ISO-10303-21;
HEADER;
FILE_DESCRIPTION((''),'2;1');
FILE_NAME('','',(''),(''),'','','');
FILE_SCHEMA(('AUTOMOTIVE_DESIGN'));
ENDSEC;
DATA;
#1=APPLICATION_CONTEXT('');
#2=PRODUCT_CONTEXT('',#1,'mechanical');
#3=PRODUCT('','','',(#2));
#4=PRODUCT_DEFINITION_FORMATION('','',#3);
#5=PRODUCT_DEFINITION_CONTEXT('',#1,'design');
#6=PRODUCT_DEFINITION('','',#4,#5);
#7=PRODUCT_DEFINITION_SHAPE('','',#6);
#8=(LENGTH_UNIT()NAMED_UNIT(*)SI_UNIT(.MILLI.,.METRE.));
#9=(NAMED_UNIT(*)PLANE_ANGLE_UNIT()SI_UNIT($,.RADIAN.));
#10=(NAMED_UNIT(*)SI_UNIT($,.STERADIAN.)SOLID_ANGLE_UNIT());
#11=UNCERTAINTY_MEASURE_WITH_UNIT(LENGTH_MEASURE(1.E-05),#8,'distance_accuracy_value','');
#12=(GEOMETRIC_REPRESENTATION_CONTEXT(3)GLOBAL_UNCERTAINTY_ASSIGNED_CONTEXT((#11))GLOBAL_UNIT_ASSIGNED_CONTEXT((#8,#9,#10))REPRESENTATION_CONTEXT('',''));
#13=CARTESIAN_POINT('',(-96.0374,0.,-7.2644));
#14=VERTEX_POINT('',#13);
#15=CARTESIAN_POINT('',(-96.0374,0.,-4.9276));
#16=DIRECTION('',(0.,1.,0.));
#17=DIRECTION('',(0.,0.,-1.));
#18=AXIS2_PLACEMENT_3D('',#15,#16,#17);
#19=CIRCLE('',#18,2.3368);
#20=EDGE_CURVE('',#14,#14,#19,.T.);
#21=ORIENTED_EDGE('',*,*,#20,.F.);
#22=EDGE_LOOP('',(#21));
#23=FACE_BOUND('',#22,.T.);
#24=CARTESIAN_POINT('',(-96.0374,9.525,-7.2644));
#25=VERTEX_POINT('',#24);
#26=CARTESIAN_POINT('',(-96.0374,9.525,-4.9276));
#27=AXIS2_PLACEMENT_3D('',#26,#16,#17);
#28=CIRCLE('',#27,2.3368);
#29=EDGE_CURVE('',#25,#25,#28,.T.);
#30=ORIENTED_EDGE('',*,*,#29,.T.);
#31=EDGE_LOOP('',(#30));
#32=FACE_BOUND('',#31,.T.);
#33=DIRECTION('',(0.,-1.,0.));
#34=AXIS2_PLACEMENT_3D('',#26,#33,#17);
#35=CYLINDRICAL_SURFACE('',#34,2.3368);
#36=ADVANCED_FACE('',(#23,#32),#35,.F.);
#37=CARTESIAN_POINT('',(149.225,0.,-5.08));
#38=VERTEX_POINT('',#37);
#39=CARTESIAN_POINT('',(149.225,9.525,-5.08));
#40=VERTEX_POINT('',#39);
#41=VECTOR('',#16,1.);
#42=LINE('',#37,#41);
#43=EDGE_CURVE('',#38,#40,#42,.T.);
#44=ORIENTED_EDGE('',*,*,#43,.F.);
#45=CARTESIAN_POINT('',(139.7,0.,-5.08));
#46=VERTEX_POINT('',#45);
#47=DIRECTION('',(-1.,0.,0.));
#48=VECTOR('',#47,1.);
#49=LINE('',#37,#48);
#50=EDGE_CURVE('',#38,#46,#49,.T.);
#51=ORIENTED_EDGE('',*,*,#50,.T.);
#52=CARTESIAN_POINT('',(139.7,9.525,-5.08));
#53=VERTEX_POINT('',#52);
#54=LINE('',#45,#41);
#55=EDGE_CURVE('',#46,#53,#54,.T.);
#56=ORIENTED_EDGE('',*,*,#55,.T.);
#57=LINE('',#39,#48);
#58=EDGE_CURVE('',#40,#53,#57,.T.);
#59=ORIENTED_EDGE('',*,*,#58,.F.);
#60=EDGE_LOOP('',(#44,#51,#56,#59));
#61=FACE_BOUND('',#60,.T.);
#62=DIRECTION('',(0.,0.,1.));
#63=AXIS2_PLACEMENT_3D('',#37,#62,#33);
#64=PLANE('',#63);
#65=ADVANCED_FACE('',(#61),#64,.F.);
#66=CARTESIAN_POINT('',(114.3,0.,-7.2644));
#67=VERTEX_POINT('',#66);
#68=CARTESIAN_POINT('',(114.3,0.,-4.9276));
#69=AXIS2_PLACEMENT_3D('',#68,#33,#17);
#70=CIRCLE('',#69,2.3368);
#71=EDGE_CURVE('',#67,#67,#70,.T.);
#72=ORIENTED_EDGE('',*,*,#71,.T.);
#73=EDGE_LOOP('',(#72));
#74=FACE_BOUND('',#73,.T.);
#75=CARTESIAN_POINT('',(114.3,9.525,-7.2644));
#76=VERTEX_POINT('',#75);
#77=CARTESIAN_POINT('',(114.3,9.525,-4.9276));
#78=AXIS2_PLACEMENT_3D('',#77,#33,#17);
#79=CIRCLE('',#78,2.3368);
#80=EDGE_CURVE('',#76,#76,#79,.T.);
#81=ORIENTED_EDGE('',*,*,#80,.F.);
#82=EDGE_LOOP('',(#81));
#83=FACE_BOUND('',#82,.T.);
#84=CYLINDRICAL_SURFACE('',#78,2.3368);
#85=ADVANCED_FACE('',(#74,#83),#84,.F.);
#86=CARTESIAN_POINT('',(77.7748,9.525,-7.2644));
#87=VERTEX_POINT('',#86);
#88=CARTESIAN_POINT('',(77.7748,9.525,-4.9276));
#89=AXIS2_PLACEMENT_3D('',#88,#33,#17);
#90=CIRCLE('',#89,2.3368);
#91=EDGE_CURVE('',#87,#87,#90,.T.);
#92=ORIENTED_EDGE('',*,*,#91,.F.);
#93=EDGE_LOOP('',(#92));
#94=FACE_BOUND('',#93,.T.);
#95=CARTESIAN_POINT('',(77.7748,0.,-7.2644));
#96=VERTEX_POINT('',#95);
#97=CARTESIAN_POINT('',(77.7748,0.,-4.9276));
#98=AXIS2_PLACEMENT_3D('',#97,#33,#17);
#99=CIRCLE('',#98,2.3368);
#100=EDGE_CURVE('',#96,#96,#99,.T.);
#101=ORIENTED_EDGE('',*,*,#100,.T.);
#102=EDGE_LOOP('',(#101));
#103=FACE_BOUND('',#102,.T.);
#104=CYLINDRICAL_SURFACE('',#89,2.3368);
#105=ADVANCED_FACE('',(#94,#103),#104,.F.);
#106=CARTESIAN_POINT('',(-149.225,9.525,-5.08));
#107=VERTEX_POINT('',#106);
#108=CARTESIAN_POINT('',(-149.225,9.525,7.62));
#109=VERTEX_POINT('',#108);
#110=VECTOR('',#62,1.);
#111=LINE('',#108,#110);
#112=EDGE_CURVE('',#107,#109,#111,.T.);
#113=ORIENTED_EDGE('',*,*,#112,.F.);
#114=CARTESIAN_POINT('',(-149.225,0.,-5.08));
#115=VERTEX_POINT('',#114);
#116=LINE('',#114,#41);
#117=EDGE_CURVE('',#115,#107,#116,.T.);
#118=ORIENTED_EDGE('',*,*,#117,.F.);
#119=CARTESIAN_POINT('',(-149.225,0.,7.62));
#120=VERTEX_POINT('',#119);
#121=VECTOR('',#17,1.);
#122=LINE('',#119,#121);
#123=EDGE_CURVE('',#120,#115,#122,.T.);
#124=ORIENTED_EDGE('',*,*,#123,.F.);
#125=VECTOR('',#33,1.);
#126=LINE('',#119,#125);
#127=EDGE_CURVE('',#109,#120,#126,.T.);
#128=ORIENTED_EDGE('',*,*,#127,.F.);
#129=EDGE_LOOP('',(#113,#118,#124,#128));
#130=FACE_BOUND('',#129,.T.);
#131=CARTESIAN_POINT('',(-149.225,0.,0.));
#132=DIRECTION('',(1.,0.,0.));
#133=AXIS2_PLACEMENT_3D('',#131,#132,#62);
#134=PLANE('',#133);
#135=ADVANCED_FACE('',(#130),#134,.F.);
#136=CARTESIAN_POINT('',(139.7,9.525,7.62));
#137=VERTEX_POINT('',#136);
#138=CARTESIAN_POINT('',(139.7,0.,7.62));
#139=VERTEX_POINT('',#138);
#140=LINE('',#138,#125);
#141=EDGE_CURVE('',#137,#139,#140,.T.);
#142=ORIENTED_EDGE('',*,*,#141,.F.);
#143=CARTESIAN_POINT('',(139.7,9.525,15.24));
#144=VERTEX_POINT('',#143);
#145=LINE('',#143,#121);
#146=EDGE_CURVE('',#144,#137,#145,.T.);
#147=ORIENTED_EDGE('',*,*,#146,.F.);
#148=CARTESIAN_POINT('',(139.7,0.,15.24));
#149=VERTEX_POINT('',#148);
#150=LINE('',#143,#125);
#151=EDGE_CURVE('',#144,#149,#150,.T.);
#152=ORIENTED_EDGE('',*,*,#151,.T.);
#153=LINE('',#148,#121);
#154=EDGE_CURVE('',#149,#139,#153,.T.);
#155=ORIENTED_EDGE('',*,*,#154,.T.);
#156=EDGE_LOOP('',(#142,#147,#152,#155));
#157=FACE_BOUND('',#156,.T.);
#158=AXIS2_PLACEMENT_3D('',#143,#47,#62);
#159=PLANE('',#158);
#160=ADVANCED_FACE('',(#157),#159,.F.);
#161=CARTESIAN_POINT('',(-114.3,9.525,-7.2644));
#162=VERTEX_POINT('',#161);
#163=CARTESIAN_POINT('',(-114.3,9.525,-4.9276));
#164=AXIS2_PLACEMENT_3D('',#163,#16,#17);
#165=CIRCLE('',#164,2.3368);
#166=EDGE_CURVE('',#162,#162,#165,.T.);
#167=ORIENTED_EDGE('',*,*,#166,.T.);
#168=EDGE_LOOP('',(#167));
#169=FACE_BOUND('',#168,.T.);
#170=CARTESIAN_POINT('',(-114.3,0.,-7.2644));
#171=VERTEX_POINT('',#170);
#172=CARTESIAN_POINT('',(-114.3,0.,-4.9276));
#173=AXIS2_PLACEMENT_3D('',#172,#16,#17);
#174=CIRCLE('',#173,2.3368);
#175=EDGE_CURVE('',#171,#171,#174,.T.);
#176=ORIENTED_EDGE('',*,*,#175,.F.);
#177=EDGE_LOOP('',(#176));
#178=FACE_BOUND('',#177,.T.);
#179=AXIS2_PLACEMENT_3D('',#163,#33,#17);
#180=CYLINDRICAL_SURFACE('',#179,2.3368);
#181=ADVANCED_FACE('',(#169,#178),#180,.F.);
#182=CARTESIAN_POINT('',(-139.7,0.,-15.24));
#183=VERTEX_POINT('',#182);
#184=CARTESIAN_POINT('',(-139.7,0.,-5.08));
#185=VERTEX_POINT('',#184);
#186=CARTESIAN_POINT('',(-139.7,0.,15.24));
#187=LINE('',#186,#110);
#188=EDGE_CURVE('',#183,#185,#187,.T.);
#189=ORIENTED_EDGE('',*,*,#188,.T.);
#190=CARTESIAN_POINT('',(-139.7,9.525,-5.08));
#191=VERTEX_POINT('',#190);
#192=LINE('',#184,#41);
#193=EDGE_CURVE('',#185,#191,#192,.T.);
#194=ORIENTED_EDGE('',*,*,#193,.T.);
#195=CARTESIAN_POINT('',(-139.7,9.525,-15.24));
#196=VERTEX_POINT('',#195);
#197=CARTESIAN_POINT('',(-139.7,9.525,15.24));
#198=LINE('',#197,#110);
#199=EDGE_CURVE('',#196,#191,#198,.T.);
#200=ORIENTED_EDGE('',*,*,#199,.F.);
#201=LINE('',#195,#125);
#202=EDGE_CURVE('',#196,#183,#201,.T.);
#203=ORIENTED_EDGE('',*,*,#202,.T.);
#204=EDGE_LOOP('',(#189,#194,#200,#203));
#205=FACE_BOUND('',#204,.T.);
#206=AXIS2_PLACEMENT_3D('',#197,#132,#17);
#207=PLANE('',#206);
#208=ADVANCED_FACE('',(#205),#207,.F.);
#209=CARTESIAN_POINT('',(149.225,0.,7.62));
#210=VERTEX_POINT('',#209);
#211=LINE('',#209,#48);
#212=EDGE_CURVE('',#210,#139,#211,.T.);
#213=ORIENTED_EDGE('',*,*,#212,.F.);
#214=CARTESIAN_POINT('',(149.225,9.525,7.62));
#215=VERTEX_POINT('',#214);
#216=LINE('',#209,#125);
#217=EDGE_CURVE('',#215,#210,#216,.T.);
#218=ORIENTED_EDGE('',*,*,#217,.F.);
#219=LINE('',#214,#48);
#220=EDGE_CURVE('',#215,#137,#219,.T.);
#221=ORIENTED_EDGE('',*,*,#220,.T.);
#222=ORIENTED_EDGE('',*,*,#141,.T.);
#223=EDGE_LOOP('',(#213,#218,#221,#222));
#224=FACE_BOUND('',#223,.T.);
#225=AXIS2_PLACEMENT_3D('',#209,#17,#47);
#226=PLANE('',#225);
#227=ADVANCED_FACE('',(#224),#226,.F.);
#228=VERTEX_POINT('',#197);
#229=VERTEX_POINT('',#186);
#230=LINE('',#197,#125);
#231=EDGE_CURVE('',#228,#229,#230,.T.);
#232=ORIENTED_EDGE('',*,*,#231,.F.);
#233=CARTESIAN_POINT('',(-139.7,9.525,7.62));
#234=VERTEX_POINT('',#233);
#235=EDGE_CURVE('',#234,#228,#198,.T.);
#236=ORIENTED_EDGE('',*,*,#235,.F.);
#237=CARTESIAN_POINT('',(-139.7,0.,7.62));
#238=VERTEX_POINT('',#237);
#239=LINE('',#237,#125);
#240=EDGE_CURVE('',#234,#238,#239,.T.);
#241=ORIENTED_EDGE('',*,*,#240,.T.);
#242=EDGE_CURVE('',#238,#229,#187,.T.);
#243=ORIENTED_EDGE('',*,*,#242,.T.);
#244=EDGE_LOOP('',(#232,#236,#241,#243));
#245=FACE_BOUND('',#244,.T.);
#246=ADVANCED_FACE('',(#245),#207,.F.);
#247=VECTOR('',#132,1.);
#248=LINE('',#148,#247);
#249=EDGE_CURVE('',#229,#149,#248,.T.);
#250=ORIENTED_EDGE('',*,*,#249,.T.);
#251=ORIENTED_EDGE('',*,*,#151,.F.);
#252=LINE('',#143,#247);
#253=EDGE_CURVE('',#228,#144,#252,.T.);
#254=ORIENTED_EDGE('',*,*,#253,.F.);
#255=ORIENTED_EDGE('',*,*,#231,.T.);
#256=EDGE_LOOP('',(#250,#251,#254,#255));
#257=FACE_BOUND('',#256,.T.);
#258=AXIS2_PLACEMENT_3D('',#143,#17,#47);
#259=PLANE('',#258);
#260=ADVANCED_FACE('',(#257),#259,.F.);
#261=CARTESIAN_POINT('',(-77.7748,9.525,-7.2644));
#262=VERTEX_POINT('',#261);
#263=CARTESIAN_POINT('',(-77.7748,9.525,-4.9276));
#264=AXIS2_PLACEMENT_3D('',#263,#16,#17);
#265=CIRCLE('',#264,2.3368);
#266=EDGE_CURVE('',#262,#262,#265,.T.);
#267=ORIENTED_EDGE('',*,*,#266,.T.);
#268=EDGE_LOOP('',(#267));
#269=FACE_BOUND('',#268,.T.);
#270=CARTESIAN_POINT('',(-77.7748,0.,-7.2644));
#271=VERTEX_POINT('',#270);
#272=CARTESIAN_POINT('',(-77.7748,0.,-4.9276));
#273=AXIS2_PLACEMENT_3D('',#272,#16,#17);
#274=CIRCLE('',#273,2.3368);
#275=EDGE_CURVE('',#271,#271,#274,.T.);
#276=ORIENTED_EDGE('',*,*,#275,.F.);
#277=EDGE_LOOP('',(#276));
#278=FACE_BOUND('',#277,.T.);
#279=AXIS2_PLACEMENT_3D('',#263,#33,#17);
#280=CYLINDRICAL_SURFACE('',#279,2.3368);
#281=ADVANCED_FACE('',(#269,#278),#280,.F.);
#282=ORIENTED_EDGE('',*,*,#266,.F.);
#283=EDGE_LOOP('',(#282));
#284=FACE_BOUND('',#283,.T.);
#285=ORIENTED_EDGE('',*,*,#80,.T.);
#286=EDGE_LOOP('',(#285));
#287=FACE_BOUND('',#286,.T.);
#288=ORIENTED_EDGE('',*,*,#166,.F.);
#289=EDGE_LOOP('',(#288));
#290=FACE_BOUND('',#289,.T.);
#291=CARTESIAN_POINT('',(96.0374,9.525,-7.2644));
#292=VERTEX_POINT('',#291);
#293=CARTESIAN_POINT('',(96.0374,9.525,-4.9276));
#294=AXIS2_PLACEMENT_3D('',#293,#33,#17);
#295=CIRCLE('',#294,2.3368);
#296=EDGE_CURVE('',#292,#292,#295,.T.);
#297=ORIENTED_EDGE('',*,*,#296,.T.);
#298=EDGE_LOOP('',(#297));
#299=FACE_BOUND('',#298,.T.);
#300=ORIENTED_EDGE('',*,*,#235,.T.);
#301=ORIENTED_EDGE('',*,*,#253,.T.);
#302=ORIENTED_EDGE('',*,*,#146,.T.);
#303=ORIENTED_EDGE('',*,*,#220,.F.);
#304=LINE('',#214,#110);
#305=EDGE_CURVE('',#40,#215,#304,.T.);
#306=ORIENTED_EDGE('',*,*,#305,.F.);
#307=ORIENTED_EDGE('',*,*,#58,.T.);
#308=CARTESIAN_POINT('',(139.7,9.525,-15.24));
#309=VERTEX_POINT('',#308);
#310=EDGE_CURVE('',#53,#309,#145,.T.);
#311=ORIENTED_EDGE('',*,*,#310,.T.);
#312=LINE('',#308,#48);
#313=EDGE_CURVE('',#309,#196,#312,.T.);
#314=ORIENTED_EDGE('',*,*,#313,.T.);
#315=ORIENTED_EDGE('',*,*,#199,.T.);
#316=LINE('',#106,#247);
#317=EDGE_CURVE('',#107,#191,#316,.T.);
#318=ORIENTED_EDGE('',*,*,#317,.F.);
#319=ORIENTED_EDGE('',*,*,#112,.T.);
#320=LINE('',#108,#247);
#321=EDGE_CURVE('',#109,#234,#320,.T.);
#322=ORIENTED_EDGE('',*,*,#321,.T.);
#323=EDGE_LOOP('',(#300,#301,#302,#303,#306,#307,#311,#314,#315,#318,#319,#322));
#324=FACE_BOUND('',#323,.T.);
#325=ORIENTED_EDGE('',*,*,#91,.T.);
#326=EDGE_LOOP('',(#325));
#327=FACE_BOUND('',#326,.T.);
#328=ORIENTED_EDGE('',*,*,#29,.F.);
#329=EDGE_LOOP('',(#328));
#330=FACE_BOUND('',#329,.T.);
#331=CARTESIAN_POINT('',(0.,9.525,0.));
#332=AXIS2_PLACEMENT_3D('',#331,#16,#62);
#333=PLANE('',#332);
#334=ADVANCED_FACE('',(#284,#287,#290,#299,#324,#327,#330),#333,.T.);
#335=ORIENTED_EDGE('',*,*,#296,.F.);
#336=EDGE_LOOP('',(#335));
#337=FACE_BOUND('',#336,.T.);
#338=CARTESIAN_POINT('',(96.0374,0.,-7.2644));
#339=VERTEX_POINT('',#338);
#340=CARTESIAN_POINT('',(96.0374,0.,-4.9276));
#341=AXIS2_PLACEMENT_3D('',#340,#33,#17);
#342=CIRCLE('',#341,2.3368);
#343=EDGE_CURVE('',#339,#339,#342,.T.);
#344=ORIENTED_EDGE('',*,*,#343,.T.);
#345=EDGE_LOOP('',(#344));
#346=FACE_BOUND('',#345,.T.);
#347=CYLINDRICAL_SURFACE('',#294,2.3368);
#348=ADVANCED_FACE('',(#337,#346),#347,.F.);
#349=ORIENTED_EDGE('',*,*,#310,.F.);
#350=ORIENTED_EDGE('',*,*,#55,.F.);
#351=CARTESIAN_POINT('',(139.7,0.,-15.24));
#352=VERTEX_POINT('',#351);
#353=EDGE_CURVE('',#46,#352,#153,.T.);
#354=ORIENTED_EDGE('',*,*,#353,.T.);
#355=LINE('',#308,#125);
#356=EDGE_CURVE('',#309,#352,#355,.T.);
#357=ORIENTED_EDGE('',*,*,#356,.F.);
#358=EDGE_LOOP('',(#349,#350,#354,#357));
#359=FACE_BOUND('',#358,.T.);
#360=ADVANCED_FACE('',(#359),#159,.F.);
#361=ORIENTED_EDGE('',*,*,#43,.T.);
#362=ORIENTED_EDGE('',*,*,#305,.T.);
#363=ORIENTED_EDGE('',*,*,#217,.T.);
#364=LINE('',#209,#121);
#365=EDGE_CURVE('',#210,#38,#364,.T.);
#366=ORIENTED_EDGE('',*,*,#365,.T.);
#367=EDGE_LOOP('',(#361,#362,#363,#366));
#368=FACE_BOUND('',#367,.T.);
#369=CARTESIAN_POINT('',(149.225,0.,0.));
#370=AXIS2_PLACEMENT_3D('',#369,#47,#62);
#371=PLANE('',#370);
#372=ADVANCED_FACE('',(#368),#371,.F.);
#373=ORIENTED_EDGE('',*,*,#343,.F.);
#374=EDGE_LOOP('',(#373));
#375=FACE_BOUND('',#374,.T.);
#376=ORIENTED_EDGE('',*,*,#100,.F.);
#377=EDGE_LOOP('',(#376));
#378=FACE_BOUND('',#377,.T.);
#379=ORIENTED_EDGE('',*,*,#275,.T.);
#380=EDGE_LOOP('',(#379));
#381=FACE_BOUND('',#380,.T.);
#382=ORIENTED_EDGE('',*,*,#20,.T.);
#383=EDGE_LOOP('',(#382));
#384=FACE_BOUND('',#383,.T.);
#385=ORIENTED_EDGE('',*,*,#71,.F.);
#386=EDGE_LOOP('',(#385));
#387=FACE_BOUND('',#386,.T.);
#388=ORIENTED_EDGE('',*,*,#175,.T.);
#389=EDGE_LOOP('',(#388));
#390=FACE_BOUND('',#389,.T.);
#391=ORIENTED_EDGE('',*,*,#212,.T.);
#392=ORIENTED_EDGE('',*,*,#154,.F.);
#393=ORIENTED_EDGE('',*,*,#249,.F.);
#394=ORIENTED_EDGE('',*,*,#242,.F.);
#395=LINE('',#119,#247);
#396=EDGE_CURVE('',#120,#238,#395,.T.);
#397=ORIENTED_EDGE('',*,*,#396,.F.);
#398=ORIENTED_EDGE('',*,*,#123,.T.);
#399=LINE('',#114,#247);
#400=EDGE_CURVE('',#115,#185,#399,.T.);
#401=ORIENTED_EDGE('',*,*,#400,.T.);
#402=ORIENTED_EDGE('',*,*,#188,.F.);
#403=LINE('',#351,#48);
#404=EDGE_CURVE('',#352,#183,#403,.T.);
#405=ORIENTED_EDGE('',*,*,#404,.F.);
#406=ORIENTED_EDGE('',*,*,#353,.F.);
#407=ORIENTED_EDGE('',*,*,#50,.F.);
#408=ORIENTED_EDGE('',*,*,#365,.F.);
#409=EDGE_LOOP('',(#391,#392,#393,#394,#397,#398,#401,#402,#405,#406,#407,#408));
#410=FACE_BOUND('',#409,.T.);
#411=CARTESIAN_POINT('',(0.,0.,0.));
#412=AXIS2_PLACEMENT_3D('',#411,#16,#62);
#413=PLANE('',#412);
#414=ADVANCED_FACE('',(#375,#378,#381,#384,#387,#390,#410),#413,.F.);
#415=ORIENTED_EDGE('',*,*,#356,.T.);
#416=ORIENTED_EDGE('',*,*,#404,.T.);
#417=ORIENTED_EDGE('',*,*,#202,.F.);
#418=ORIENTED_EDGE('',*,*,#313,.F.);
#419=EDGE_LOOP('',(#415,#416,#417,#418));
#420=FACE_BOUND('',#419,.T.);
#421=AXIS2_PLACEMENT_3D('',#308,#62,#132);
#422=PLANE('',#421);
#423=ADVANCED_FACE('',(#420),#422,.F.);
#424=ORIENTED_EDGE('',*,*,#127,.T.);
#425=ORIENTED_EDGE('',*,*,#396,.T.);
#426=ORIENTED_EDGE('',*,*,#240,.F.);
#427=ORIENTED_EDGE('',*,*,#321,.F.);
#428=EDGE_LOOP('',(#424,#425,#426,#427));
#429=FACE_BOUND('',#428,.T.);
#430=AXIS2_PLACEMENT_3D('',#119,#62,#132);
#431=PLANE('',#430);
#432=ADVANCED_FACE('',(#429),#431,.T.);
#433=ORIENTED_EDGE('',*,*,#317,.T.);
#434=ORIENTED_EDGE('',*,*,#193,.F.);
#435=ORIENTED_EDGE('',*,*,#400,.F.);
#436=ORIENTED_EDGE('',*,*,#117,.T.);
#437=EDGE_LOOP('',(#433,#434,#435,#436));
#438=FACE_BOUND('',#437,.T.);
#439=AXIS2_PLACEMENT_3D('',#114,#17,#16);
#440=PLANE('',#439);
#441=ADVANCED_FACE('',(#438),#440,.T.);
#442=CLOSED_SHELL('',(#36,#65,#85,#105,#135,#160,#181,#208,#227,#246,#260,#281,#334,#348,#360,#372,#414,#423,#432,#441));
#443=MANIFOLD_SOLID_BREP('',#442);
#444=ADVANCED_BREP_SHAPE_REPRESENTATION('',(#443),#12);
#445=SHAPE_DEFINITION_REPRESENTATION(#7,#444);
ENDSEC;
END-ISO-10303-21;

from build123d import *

# Parameters (mm, degrees)
SKETCH1_W           = 279.4
SKETCH1_H           = 30.48
BOSS_EXTRUDE1_DEPTH = 9.525
SKETCH2_W           = 12.7
SKETCH2_H           = 9.525
BOSS_EXTRUDE2_DEPTH = 9.525
SKETCH3_R           = 2.3368
CUT_EXTRUDE1_DEPTH  = 10.525


with BuildPart() as part:
    # Sketch1 → Boss-Extrude1 (new body)
    with BuildSketch(Plane(origin=(0, 0, 0), x_dir=(1, 0, 0), z_dir=(0, 1, 0))):
        Rectangle(SKETCH1_W, SKETCH1_H)
    extrude(amount=BOSS_EXTRUDE1_DEPTH)

    # Sketch2 → Boss-Extrude2 (add)
    with BuildSketch(Plane(origin=(139.7, 0, 0), x_dir=(0, 0, -1), z_dir=(1, 0, 0))):
        with Locations((-1.27, 4.7625)):
            Rectangle(SKETCH2_W, SKETCH2_H)
    boss_extrude2 = extrude(amount=BOSS_EXTRUDE2_DEPTH)

    # Mirror1: Boss-Extrude2 across plane
    add(boss_extrude2.mirror(Plane(origin=(0, 0, 0), x_dir=(0, 0, 1), z_dir=(1, 0, 0))))

    # Sketch3 → Cut-Extrude1 (cut, through all)
    with BuildSketch(Plane.XZ):
        with Locations((114.3, -4.9276)):
            Circle(SKETCH3_R)
        with Locations((77.7748, -4.9276)):
            Circle(SKETCH3_R)
        with Locations((96.0374, -4.9276)):
            Circle(SKETCH3_R)
    cut_extrude1 = extrude(amount=-CUT_EXTRUDE1_DEPTH, mode=Mode.SUBTRACT)

    # Mirror2: Cut-Extrude1 across plane
    add(cut_extrude1.mirror(Plane(origin=(0, 0, 0), x_dir=(0, 0, 1), z_dir=(1, 0, 0))), mode=Mode.SUBTRACT)


solid = part.part
